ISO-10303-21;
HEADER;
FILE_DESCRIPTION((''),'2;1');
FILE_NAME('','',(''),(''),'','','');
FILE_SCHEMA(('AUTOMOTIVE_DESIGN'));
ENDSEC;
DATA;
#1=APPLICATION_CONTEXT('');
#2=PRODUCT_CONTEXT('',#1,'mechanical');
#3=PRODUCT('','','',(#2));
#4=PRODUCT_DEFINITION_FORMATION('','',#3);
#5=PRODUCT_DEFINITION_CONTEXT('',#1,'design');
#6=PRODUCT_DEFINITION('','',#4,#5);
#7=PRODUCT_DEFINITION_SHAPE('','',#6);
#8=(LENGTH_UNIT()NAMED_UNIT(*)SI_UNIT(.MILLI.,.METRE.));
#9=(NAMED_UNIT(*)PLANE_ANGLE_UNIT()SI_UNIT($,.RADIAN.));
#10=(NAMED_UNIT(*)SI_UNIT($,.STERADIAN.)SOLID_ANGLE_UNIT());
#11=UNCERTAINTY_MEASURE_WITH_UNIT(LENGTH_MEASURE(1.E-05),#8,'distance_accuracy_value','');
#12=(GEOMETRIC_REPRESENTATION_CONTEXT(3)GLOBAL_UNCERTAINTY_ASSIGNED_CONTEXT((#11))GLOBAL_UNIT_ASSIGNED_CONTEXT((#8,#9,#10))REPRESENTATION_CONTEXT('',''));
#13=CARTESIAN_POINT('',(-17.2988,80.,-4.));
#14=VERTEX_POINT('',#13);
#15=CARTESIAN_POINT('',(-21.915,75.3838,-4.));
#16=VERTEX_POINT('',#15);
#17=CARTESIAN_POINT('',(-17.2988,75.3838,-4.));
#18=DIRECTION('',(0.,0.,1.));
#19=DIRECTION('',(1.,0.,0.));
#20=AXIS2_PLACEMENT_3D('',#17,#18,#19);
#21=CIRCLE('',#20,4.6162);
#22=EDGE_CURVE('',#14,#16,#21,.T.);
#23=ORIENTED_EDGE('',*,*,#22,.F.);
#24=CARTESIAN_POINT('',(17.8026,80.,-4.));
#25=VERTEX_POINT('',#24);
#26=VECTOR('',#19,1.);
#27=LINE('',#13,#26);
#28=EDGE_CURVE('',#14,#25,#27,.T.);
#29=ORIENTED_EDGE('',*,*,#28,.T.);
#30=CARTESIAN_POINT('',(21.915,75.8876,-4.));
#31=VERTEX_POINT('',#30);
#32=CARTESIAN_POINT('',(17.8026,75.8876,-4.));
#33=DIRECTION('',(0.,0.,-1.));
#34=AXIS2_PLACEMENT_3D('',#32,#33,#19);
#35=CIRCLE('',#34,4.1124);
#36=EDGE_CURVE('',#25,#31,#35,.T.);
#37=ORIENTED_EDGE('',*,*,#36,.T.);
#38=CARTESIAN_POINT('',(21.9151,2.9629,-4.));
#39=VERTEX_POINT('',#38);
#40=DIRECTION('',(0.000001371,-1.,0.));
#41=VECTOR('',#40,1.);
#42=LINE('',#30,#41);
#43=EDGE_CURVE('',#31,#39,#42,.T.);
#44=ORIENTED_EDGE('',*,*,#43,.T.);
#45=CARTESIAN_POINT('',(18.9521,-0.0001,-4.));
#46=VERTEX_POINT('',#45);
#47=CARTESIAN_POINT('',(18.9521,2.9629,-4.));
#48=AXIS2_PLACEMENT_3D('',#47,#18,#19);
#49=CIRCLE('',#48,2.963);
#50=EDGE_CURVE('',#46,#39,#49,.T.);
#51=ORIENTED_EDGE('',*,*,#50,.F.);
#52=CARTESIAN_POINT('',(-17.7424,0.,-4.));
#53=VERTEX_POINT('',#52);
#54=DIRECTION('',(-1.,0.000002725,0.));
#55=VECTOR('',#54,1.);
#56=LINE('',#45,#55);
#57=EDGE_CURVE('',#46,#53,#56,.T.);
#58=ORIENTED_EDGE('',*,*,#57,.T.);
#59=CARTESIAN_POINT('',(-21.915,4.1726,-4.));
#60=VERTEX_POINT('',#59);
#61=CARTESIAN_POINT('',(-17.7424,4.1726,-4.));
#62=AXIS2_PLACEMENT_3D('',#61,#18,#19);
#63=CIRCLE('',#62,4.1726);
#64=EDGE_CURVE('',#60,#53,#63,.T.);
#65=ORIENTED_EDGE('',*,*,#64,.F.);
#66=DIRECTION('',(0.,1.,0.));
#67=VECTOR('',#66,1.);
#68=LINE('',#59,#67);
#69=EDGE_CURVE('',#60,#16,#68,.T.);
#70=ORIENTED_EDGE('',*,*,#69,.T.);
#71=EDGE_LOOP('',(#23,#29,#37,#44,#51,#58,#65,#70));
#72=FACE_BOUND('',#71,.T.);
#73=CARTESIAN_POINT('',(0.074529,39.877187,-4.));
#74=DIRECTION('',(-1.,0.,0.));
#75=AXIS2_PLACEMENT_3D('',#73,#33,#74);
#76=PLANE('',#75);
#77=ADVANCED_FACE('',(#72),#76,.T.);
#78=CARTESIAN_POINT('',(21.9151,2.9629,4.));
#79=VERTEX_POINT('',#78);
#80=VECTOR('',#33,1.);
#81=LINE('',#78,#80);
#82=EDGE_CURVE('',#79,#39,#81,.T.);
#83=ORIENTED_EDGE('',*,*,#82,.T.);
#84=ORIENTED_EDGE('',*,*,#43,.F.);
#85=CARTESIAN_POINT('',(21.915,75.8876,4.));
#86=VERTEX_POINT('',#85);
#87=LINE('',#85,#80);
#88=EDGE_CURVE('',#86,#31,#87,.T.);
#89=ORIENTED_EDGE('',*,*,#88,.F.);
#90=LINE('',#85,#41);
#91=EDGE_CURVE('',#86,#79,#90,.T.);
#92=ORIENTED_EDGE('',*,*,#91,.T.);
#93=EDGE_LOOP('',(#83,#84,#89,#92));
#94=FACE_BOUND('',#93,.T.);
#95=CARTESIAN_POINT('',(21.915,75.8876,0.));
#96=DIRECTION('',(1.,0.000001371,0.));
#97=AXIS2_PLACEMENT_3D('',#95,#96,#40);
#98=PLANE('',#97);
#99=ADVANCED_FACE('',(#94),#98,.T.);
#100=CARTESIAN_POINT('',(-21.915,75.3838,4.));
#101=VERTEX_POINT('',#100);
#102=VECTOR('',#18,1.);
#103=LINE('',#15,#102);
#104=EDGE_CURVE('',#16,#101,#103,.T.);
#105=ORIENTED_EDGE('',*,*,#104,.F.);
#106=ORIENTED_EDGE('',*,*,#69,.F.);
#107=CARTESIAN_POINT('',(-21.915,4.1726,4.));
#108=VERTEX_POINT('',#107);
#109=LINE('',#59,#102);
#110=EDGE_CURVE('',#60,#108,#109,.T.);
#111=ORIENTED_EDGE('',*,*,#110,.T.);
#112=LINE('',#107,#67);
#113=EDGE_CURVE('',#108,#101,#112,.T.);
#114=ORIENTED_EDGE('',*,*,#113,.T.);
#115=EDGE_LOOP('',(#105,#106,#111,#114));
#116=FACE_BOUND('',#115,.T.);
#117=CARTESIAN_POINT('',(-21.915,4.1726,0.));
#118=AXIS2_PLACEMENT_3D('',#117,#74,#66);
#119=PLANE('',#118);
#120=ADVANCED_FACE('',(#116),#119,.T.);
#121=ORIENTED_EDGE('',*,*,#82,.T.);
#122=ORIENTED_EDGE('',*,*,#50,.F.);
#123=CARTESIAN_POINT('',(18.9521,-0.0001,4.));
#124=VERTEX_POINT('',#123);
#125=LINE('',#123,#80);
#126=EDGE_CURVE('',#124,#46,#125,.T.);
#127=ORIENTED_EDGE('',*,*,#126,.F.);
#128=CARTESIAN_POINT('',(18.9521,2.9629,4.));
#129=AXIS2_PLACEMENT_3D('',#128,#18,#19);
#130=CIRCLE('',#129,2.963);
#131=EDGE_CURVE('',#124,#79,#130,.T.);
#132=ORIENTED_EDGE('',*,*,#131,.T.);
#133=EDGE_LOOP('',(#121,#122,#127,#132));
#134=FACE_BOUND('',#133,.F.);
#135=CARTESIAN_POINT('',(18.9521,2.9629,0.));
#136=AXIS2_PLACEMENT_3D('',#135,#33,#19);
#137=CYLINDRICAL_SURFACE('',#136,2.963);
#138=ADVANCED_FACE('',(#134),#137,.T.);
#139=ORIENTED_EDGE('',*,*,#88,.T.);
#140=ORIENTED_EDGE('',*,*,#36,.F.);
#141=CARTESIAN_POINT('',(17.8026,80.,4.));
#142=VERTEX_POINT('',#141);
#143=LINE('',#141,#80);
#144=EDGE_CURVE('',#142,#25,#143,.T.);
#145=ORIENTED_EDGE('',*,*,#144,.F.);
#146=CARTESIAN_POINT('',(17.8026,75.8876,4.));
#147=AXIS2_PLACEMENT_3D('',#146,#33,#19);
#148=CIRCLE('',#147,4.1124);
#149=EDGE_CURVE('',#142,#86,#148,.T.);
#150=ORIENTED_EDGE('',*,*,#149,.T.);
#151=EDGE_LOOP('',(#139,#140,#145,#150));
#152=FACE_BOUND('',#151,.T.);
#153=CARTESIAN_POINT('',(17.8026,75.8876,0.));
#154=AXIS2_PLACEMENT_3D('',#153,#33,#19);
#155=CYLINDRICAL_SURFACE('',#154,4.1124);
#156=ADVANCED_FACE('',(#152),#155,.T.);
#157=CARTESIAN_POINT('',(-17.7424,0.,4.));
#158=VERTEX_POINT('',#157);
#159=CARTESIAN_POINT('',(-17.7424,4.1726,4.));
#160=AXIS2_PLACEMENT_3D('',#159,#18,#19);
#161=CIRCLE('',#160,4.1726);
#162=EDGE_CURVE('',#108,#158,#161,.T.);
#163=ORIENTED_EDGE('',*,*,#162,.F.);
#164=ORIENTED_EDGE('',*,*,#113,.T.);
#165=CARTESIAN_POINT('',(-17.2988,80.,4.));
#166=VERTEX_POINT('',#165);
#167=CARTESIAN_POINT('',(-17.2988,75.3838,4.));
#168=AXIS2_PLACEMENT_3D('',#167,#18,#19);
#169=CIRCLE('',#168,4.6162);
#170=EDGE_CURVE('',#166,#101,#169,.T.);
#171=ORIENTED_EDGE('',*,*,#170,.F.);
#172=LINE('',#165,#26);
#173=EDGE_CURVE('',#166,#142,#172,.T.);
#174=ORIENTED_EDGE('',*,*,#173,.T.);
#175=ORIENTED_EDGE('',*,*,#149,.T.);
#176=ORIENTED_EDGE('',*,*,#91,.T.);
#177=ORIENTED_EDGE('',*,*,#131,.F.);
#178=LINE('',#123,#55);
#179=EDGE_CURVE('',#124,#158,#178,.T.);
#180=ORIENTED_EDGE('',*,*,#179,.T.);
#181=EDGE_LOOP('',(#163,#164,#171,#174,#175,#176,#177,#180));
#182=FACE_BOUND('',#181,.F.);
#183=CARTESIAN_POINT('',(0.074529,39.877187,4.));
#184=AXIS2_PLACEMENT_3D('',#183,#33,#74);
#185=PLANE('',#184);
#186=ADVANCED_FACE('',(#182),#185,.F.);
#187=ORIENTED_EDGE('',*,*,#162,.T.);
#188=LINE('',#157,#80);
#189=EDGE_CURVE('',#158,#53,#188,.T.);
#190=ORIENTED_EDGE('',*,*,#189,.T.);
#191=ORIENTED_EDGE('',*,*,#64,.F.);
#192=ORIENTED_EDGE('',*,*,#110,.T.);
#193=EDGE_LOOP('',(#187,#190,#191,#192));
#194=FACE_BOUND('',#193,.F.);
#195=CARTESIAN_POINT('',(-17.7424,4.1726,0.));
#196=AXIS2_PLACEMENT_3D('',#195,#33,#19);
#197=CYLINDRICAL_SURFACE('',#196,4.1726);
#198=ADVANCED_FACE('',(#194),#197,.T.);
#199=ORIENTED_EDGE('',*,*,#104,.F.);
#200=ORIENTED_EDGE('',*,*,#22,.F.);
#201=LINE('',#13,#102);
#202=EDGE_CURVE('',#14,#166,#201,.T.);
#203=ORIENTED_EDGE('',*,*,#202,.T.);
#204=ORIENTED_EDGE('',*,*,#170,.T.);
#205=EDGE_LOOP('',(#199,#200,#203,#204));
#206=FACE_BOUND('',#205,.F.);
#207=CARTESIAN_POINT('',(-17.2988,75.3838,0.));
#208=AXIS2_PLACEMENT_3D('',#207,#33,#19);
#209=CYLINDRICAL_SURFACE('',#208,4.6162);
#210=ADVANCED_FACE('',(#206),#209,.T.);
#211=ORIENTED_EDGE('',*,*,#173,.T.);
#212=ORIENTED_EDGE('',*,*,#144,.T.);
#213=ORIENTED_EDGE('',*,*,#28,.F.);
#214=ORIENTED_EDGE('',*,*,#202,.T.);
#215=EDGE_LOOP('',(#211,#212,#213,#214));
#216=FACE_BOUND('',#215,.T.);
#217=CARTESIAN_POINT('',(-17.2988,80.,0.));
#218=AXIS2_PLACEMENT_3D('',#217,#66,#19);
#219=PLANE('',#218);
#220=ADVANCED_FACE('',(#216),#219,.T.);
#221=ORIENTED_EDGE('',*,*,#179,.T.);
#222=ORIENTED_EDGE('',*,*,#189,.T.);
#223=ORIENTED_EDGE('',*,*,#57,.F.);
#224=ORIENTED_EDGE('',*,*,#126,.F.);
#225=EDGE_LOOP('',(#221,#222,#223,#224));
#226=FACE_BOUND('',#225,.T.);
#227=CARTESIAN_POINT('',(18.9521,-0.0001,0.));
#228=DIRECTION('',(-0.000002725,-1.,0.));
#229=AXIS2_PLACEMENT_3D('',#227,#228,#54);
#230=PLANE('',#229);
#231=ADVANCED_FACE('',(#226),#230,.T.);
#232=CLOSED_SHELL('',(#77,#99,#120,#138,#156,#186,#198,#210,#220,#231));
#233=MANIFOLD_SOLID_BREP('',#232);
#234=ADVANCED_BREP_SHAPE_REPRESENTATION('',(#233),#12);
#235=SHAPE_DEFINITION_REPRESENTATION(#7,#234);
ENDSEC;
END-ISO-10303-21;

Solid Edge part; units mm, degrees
sketch "Sketch1" plane through (0, 0, 0) normal (0, 0, 1) x (1, 0, 0)
  line L0 (-17.2988, 80) -> (17.8026, 80)
  arc A0 (17.8026, 80) -> (21.915, 75.8876) centre (17.8026, 75.8876) cw
  line L1 (21.915, 75.8876) -> (21.915, 2.9629)
  arc A1 (18.9521, 0) -> (21.915, 2.9629) centre (18.9521, 2.9629) ccw
  line L2 (18.9521, 0) -> (-17.7424, 0)
  arc A2 (-21.915, 4.1726) -> (-17.7424, 0) centre (-17.7424, 4.1726) ccw
  line L3 (-21.915, 4.1726) -> (-21.915, 75.3838)
  arc A3 (-17.2988, 80) -> (-21.915, 75.3838) centre (-17.2988, 75.3838) ccw
  dimension "D1" = 43.83
  dimension "D2" = 80
extrude "Ajout_matière_1" add sketch "Sketch1" along normal mid plane 8
properties material "Acier S235"
